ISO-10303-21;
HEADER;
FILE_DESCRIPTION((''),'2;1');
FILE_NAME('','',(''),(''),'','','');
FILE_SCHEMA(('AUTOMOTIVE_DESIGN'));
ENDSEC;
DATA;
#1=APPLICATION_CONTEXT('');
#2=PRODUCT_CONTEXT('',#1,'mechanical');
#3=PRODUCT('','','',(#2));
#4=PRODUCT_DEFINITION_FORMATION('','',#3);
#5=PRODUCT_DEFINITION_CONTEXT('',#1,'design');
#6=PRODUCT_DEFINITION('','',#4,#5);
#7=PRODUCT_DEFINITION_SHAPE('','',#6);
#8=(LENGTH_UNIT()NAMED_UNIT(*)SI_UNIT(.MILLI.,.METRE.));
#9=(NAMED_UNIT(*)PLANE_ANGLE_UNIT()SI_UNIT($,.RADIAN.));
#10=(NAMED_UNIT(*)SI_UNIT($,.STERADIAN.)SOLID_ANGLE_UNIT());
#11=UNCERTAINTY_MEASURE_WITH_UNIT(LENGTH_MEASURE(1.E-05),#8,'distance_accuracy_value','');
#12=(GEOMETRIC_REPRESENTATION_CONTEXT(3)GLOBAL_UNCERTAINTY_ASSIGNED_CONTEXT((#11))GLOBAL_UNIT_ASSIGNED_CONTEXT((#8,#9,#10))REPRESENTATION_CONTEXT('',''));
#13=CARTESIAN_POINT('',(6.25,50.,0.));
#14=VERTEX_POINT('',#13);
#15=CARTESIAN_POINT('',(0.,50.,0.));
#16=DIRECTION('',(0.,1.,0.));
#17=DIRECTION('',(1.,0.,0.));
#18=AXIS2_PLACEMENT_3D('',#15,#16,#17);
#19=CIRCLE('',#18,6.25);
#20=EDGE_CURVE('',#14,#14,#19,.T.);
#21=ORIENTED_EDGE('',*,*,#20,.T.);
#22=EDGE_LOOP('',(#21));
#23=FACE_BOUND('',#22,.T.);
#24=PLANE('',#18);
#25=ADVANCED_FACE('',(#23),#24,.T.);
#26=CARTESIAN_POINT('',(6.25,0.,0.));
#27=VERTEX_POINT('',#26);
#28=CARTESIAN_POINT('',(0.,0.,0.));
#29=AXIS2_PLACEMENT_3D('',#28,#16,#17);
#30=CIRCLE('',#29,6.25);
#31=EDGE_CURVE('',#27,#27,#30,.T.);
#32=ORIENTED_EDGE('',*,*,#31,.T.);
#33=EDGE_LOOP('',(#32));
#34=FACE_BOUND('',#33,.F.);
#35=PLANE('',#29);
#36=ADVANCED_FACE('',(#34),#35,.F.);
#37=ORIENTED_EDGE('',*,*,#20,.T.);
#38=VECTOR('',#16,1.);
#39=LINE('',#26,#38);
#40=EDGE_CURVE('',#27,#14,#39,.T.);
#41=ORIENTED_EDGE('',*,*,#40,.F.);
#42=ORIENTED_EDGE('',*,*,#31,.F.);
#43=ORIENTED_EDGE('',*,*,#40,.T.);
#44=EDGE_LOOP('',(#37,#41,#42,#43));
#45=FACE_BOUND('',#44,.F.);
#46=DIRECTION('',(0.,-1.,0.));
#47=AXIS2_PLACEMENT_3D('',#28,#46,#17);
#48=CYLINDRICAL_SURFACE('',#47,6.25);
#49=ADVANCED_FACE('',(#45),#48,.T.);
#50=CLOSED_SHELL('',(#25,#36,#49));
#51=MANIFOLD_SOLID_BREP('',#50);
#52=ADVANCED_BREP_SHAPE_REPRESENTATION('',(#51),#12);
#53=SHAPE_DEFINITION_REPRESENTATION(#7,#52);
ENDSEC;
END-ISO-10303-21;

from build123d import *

# Parameters (mm, degrees)
SKETCH1_R           = 6.25
BOSS_EXTRUDE1_DEPTH = 50


with BuildPart() as part:
    # Sketch1 → Boss-Extrude1 (new body)
    with BuildSketch(Plane(origin=(0, 0, 0), x_dir=(1, 0, 0), z_dir=(0, 1, 0))):
        Circle(SKETCH1_R)
    extrude(amount=BOSS_EXTRUDE1_DEPTH)


solid = part.part
